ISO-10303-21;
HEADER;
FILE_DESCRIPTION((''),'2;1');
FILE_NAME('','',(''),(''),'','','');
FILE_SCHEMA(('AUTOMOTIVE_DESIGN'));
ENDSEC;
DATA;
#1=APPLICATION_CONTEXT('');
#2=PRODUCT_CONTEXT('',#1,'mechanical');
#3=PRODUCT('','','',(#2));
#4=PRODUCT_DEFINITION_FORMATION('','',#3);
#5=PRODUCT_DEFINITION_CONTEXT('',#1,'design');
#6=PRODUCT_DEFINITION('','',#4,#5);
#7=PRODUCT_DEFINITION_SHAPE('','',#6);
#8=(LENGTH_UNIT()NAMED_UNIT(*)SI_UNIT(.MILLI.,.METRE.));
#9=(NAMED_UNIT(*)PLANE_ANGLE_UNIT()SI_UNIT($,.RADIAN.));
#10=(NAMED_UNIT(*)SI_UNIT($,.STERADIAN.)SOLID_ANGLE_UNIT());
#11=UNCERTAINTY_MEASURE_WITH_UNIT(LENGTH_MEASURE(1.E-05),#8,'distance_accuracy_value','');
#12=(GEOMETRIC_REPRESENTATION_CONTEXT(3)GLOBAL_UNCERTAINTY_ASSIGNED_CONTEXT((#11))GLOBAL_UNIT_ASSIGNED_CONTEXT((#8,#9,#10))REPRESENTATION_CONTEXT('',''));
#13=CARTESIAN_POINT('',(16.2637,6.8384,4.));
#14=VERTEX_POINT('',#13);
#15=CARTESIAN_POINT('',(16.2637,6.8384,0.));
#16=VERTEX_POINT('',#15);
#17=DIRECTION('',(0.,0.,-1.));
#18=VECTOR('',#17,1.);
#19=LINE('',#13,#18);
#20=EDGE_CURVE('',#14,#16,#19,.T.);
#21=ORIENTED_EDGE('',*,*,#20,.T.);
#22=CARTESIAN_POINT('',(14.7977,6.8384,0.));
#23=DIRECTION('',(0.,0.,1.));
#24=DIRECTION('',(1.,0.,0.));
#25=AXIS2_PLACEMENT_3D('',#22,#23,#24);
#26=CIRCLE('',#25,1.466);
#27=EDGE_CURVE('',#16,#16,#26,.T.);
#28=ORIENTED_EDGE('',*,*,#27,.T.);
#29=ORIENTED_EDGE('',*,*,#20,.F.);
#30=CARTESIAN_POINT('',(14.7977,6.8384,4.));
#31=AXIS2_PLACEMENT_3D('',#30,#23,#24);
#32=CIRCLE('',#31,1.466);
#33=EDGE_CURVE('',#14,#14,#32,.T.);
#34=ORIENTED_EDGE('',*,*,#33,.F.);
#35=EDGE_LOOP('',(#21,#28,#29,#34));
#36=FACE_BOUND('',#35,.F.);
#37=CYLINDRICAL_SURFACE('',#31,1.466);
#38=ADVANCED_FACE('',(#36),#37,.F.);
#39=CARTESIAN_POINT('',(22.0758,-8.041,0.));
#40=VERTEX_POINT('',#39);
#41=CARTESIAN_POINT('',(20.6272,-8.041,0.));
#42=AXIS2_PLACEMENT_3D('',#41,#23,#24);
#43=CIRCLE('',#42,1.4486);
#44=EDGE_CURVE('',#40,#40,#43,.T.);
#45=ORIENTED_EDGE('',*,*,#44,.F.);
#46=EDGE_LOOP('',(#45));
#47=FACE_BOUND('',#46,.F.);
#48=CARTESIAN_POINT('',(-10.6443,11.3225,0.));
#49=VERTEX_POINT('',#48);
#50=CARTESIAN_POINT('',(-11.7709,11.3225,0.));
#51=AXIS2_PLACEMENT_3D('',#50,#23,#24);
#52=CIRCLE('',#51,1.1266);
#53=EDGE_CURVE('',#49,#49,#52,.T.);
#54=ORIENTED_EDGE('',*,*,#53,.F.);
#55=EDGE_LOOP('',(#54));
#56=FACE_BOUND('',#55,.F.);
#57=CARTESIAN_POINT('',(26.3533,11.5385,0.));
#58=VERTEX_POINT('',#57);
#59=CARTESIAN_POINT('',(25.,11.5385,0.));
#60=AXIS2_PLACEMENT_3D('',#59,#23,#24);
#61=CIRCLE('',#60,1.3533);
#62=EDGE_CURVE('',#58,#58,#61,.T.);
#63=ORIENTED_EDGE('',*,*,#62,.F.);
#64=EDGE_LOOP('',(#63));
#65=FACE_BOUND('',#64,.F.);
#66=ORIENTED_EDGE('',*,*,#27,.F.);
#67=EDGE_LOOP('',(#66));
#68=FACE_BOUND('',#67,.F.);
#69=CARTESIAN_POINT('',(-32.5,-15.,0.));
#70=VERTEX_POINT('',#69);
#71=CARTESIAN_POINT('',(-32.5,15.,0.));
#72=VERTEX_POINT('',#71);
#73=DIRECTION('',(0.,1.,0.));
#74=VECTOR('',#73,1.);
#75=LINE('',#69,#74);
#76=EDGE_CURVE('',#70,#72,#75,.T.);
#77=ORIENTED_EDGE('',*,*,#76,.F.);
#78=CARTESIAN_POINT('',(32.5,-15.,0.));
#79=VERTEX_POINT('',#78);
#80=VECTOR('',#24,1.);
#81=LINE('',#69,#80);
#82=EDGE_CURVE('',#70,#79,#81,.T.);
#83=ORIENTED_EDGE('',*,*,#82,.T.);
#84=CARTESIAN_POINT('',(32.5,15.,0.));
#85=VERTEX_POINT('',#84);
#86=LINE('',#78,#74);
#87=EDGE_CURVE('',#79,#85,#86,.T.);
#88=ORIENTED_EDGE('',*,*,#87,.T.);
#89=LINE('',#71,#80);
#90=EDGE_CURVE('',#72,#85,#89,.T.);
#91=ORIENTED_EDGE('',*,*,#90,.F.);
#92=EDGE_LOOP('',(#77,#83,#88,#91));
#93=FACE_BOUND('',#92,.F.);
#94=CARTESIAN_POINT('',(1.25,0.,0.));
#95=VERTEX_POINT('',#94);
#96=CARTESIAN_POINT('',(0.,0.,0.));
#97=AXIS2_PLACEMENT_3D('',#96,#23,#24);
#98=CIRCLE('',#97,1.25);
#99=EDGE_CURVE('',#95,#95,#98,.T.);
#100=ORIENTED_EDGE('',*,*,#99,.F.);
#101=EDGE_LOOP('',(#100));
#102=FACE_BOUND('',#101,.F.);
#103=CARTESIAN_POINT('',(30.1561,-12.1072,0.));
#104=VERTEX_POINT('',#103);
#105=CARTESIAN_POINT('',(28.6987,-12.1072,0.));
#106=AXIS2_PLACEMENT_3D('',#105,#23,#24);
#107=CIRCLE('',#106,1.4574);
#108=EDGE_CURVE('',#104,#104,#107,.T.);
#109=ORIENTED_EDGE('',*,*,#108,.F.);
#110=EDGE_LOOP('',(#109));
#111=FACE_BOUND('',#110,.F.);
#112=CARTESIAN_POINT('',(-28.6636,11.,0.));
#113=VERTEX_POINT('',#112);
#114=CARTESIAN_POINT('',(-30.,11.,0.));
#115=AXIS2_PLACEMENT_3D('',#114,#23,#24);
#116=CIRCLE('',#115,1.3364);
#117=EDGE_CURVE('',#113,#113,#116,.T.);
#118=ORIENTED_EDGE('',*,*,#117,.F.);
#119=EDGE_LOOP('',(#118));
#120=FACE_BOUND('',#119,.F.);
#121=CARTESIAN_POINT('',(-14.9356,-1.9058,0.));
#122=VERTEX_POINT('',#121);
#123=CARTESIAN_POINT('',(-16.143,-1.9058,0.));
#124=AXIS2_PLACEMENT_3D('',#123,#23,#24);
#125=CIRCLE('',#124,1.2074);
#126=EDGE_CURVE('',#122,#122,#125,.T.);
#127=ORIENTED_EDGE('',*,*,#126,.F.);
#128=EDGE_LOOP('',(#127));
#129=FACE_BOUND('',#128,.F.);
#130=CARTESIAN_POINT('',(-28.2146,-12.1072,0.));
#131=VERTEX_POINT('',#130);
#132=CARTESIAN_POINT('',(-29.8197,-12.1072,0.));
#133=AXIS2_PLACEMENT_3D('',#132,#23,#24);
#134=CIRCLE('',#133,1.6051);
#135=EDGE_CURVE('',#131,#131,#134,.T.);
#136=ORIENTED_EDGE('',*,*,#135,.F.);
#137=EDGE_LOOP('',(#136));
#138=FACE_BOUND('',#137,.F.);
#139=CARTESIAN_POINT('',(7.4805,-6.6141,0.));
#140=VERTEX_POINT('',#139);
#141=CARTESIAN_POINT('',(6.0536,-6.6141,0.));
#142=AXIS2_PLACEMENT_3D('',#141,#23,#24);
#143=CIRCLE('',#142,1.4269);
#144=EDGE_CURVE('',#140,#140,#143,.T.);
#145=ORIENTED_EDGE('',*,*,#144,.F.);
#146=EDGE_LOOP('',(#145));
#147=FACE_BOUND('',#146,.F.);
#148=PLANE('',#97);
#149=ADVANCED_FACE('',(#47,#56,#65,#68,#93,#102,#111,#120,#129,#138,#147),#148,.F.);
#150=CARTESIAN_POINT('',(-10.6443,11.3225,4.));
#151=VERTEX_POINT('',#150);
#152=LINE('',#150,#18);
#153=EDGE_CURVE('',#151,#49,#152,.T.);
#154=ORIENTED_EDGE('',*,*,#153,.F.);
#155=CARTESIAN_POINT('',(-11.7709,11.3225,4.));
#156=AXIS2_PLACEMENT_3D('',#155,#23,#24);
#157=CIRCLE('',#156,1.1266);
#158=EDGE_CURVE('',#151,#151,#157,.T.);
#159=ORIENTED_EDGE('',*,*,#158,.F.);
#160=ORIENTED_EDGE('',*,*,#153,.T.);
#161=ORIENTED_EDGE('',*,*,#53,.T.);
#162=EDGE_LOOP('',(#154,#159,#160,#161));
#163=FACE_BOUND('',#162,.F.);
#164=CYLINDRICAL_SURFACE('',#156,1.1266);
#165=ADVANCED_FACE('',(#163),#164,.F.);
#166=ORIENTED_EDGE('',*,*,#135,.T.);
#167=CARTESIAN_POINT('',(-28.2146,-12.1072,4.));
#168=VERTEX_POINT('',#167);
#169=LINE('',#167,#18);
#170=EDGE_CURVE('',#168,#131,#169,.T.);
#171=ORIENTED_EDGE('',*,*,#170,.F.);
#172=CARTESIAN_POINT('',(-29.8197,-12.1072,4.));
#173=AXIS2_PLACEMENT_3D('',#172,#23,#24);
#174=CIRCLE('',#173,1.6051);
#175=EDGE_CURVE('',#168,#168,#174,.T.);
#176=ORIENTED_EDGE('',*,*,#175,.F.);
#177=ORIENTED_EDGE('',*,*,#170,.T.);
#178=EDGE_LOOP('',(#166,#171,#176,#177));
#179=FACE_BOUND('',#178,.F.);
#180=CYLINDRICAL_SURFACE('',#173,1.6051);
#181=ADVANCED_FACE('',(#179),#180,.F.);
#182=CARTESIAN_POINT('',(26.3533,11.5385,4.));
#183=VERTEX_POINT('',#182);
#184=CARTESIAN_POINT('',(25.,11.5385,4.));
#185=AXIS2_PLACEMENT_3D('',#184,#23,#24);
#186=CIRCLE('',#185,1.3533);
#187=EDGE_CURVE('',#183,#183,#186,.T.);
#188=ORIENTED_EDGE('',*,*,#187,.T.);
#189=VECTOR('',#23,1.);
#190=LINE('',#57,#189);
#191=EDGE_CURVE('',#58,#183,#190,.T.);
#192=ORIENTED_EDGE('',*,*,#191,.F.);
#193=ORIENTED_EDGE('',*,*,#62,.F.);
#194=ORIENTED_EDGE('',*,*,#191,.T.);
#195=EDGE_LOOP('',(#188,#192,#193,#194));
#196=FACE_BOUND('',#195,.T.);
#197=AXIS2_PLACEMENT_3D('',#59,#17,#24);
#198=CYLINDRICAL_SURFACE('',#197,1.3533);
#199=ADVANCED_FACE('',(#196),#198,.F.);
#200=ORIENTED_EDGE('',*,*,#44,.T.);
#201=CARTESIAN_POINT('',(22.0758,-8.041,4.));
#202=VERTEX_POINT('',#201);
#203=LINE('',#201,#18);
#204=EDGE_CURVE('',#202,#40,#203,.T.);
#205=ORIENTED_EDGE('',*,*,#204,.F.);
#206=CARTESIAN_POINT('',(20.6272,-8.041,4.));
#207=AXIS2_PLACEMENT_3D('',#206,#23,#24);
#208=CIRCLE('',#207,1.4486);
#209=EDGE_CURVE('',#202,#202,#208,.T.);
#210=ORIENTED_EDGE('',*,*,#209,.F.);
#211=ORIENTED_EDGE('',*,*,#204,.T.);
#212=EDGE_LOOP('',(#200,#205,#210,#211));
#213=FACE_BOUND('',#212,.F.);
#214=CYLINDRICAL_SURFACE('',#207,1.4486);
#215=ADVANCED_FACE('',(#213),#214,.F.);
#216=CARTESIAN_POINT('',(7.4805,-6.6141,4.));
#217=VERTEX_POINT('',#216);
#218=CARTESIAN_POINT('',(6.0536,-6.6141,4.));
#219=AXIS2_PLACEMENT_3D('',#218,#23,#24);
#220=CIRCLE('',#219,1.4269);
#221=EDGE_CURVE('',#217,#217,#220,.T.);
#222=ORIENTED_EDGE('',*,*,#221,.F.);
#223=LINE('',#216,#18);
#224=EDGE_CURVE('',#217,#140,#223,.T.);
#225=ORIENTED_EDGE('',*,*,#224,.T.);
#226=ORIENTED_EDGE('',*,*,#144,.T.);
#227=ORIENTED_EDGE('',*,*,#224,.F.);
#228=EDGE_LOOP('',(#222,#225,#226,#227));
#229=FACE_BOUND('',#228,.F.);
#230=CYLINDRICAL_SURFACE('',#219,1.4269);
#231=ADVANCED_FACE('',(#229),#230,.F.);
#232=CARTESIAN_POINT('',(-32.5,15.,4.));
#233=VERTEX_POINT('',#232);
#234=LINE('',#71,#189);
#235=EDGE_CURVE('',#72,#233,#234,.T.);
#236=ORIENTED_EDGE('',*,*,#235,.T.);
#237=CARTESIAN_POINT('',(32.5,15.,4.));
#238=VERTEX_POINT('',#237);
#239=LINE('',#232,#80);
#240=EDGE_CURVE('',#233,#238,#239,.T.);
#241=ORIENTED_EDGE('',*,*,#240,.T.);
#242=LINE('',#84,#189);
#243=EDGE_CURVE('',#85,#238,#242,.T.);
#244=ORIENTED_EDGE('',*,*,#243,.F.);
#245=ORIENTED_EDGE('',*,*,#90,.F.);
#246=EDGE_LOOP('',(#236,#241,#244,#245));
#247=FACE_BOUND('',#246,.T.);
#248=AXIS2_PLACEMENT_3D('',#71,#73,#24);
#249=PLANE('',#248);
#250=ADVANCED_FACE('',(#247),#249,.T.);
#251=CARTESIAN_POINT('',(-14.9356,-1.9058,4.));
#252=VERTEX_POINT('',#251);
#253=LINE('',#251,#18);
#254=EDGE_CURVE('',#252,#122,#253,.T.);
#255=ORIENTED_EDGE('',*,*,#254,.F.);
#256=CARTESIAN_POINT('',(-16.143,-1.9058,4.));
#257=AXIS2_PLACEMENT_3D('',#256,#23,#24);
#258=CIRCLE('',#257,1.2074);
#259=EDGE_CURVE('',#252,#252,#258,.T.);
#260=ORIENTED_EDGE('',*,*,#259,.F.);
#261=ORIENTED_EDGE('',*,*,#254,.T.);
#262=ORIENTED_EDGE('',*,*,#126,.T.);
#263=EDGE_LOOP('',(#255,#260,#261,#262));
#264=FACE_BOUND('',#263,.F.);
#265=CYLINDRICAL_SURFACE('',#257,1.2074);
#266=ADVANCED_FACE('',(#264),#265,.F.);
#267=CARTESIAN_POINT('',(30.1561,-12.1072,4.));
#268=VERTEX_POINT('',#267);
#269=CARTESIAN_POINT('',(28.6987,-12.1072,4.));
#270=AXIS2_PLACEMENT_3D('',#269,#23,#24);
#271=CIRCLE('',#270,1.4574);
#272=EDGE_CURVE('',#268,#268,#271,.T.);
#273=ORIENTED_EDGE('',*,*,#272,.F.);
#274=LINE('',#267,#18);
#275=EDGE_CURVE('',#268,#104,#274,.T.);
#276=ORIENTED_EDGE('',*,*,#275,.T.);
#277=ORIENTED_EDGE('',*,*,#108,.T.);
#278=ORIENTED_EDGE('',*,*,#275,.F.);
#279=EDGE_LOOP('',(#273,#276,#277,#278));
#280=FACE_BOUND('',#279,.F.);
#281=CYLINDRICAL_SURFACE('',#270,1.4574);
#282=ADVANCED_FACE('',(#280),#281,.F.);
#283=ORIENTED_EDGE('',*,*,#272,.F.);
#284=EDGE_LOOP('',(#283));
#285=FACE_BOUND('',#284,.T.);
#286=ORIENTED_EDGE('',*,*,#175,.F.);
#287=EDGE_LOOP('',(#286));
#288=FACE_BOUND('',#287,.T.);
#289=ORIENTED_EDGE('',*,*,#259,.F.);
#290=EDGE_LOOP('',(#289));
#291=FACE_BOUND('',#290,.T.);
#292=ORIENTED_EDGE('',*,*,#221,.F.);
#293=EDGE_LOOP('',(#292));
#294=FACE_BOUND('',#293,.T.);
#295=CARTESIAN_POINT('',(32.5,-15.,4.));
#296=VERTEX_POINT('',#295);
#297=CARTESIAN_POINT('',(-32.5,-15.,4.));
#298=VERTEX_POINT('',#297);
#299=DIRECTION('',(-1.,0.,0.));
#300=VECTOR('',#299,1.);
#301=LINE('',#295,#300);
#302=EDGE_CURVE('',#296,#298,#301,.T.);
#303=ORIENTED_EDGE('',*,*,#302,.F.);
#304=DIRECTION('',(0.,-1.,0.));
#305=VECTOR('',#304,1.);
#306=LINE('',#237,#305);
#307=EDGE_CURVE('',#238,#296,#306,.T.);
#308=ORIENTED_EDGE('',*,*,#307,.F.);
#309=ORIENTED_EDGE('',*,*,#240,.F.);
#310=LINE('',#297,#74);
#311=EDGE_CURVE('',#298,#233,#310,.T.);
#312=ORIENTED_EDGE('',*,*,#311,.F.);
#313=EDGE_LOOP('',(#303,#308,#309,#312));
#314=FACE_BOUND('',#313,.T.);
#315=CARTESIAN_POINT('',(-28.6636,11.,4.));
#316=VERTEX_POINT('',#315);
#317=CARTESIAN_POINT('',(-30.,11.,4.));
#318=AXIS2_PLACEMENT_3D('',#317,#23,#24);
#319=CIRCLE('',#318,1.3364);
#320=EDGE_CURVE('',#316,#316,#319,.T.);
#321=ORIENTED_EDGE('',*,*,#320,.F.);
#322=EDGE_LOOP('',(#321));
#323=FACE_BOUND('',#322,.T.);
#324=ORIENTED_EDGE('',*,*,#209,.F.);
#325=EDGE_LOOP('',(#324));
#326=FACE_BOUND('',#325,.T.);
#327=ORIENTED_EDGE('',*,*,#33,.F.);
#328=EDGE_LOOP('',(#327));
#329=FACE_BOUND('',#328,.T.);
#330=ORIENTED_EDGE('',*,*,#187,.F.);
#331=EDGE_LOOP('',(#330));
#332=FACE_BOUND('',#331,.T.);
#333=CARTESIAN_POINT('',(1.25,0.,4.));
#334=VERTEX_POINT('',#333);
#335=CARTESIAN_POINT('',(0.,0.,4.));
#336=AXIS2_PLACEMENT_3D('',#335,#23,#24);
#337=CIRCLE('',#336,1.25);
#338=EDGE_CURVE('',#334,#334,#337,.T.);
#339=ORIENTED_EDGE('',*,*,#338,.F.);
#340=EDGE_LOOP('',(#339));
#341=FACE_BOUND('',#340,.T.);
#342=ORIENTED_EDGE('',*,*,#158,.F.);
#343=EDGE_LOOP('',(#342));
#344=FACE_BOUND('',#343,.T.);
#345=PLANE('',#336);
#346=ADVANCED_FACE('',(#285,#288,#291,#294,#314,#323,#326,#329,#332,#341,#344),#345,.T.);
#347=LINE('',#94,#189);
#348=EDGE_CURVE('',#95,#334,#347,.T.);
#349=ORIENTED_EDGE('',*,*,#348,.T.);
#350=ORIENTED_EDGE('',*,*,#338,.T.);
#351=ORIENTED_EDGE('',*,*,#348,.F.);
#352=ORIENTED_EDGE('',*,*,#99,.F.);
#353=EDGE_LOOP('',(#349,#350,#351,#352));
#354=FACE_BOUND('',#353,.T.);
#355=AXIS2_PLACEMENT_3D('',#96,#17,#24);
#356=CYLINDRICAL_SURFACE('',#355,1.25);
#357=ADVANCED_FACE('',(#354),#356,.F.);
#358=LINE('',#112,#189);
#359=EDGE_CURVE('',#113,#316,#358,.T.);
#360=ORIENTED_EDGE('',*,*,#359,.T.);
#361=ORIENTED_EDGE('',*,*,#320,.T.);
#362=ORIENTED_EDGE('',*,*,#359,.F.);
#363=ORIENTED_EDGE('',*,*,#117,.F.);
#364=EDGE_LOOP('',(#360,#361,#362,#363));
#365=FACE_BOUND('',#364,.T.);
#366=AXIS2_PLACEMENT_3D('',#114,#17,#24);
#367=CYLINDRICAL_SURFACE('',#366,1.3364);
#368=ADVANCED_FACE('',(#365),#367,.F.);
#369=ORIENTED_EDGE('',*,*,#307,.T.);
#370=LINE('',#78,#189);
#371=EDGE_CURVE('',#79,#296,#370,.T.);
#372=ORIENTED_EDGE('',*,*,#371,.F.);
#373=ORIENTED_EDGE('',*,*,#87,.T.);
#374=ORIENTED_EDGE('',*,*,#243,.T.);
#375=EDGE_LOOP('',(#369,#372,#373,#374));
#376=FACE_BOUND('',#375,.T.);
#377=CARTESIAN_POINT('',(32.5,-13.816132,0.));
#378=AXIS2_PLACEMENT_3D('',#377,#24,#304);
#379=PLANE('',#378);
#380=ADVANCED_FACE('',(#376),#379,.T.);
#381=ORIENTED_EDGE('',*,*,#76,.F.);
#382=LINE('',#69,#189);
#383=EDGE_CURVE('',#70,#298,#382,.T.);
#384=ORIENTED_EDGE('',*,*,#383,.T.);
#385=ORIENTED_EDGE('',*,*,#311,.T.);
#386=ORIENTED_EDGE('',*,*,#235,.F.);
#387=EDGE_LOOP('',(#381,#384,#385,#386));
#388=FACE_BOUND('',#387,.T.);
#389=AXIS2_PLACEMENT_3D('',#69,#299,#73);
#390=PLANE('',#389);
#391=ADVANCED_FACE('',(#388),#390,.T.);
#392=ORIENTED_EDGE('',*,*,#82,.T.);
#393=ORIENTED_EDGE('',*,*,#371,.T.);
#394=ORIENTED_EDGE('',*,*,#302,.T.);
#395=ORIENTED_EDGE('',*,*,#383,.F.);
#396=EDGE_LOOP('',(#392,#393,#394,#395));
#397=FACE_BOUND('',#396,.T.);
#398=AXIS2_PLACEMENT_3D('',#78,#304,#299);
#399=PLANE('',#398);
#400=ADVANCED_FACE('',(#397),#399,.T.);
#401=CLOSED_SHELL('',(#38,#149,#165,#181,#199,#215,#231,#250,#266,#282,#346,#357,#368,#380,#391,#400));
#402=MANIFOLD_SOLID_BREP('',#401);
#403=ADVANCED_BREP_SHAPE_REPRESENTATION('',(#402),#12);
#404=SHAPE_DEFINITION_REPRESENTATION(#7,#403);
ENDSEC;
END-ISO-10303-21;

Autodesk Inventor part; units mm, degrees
ref_plane "YZ Plane" through (0, 0, 0) normal (1, 0, 0) x (0, 1, 0)
ref_plane "XZ Plane" through (0, 0, 0) normal (0, 1, 0) x (-1, 0, 0)
ref_plane "XY Plane" through (0, 0, 0) normal (0, 0, 1) x (1, 0, 0)
sketch "Sketch1" plane through (0, 0, 0) normal (0, 0, 1) x (1, 0, 0)
  line L0 (32.5, -15) -> (-32.5, -15)
  line L1 (-32.5, -15) -> (-32.5, 15)
  line L2 (-32.5, 15) -> (32.5, 15)
  line L3 (32.5, 15) -> (32.5, -15)
  line L4 (32.5, -15) -> (-32.5, 15) construction
  line L5 (-32.5, -15) -> (32.5, 15) construction
  circle A0 centre (0, 0) radius 1.25
  circle A1 centre (-30, 11) radius 1.3364
  circle A2 centre (25, 11.5385) radius 1.3533
  circle A3 centre (31.3333, -14.4615) radius 1.3333
  circle A4 centre (-30, -15) radius 1.3333
  dimension "d0" = 30
  dimension "d1" = 65
  dimension "d2" = 2.5
  dimension "d3" = 26
  dimension "d4" = 26
  dimension "d5" = 55
  dimension "d6" = 25
  dimension "d7" = 15
extrude "Plate1" add sketch "Sketch1" along normal blind 4 contours L0 A3 L3 | L0 A4 L1 L2 L3 A3 | L0 A4 picked at (30.9112, -14.2924) picked at (-29.6065, -14.7935)
sketch "Sketch2" plane through (0, 0, 4) normal (0, 0, 1) x (1, 0, 0)
  circle A0 centre (-29.8197, -12.1072) radius 1.6051
  circle A1 centre (28.6987, -12.1072) radius 1.4574
  point P0 (0, 0)
extrude "Extrusion1" cut sketch "Sketch2" against normal blind 5
sketch "Sketch3" plane through (0, 0, 4) normal (0, 0, 1) x (1, 0, 0)
  circle A0 centre (-27.5776, 6.8384) radius 0.7927
  circle A1 centre (-28.3703, -3.8115) radius 0.8238
  circle A2 centre (-16.143, -1.9058) radius 1.2074
  circle A3 centre (-11.7709, 11.3225) radius 1.1266
  circle A4 centre (6.0536, -6.6141) radius 1.4269
  circle A5 centre (14.7977, 6.8384) radius 1.466
  circle A6 centre (20.6272, -8.041) radius 1.4486
  point P0 (0, 0)
extrude "Extrusion2" cut sketch "Sketch3" against normal blind 5 contours A2 | A3 | A4 | A5 | A6
equation "\"d8\" = Thickness"
equation "\"BendRadius\" = Thickness"
equation "\"BendReliefWidth\" = Thickness"
equation "\"BendReliefDepth\" = 0.5 * Thickness"
equation "\"CornerReliefSize\" = 4 * Thickness"
equation "\"MinimumRemnant\" = 2 * Thickness"
equation "\"TransitionRadius\" = BendRadius"
equation "\"JacobiRadiusSize\" = BendRadius"
equation "\"GapSize\" = Thickness"
equation "\"Thickness\" = 4"
properties part number "rectanglar"
